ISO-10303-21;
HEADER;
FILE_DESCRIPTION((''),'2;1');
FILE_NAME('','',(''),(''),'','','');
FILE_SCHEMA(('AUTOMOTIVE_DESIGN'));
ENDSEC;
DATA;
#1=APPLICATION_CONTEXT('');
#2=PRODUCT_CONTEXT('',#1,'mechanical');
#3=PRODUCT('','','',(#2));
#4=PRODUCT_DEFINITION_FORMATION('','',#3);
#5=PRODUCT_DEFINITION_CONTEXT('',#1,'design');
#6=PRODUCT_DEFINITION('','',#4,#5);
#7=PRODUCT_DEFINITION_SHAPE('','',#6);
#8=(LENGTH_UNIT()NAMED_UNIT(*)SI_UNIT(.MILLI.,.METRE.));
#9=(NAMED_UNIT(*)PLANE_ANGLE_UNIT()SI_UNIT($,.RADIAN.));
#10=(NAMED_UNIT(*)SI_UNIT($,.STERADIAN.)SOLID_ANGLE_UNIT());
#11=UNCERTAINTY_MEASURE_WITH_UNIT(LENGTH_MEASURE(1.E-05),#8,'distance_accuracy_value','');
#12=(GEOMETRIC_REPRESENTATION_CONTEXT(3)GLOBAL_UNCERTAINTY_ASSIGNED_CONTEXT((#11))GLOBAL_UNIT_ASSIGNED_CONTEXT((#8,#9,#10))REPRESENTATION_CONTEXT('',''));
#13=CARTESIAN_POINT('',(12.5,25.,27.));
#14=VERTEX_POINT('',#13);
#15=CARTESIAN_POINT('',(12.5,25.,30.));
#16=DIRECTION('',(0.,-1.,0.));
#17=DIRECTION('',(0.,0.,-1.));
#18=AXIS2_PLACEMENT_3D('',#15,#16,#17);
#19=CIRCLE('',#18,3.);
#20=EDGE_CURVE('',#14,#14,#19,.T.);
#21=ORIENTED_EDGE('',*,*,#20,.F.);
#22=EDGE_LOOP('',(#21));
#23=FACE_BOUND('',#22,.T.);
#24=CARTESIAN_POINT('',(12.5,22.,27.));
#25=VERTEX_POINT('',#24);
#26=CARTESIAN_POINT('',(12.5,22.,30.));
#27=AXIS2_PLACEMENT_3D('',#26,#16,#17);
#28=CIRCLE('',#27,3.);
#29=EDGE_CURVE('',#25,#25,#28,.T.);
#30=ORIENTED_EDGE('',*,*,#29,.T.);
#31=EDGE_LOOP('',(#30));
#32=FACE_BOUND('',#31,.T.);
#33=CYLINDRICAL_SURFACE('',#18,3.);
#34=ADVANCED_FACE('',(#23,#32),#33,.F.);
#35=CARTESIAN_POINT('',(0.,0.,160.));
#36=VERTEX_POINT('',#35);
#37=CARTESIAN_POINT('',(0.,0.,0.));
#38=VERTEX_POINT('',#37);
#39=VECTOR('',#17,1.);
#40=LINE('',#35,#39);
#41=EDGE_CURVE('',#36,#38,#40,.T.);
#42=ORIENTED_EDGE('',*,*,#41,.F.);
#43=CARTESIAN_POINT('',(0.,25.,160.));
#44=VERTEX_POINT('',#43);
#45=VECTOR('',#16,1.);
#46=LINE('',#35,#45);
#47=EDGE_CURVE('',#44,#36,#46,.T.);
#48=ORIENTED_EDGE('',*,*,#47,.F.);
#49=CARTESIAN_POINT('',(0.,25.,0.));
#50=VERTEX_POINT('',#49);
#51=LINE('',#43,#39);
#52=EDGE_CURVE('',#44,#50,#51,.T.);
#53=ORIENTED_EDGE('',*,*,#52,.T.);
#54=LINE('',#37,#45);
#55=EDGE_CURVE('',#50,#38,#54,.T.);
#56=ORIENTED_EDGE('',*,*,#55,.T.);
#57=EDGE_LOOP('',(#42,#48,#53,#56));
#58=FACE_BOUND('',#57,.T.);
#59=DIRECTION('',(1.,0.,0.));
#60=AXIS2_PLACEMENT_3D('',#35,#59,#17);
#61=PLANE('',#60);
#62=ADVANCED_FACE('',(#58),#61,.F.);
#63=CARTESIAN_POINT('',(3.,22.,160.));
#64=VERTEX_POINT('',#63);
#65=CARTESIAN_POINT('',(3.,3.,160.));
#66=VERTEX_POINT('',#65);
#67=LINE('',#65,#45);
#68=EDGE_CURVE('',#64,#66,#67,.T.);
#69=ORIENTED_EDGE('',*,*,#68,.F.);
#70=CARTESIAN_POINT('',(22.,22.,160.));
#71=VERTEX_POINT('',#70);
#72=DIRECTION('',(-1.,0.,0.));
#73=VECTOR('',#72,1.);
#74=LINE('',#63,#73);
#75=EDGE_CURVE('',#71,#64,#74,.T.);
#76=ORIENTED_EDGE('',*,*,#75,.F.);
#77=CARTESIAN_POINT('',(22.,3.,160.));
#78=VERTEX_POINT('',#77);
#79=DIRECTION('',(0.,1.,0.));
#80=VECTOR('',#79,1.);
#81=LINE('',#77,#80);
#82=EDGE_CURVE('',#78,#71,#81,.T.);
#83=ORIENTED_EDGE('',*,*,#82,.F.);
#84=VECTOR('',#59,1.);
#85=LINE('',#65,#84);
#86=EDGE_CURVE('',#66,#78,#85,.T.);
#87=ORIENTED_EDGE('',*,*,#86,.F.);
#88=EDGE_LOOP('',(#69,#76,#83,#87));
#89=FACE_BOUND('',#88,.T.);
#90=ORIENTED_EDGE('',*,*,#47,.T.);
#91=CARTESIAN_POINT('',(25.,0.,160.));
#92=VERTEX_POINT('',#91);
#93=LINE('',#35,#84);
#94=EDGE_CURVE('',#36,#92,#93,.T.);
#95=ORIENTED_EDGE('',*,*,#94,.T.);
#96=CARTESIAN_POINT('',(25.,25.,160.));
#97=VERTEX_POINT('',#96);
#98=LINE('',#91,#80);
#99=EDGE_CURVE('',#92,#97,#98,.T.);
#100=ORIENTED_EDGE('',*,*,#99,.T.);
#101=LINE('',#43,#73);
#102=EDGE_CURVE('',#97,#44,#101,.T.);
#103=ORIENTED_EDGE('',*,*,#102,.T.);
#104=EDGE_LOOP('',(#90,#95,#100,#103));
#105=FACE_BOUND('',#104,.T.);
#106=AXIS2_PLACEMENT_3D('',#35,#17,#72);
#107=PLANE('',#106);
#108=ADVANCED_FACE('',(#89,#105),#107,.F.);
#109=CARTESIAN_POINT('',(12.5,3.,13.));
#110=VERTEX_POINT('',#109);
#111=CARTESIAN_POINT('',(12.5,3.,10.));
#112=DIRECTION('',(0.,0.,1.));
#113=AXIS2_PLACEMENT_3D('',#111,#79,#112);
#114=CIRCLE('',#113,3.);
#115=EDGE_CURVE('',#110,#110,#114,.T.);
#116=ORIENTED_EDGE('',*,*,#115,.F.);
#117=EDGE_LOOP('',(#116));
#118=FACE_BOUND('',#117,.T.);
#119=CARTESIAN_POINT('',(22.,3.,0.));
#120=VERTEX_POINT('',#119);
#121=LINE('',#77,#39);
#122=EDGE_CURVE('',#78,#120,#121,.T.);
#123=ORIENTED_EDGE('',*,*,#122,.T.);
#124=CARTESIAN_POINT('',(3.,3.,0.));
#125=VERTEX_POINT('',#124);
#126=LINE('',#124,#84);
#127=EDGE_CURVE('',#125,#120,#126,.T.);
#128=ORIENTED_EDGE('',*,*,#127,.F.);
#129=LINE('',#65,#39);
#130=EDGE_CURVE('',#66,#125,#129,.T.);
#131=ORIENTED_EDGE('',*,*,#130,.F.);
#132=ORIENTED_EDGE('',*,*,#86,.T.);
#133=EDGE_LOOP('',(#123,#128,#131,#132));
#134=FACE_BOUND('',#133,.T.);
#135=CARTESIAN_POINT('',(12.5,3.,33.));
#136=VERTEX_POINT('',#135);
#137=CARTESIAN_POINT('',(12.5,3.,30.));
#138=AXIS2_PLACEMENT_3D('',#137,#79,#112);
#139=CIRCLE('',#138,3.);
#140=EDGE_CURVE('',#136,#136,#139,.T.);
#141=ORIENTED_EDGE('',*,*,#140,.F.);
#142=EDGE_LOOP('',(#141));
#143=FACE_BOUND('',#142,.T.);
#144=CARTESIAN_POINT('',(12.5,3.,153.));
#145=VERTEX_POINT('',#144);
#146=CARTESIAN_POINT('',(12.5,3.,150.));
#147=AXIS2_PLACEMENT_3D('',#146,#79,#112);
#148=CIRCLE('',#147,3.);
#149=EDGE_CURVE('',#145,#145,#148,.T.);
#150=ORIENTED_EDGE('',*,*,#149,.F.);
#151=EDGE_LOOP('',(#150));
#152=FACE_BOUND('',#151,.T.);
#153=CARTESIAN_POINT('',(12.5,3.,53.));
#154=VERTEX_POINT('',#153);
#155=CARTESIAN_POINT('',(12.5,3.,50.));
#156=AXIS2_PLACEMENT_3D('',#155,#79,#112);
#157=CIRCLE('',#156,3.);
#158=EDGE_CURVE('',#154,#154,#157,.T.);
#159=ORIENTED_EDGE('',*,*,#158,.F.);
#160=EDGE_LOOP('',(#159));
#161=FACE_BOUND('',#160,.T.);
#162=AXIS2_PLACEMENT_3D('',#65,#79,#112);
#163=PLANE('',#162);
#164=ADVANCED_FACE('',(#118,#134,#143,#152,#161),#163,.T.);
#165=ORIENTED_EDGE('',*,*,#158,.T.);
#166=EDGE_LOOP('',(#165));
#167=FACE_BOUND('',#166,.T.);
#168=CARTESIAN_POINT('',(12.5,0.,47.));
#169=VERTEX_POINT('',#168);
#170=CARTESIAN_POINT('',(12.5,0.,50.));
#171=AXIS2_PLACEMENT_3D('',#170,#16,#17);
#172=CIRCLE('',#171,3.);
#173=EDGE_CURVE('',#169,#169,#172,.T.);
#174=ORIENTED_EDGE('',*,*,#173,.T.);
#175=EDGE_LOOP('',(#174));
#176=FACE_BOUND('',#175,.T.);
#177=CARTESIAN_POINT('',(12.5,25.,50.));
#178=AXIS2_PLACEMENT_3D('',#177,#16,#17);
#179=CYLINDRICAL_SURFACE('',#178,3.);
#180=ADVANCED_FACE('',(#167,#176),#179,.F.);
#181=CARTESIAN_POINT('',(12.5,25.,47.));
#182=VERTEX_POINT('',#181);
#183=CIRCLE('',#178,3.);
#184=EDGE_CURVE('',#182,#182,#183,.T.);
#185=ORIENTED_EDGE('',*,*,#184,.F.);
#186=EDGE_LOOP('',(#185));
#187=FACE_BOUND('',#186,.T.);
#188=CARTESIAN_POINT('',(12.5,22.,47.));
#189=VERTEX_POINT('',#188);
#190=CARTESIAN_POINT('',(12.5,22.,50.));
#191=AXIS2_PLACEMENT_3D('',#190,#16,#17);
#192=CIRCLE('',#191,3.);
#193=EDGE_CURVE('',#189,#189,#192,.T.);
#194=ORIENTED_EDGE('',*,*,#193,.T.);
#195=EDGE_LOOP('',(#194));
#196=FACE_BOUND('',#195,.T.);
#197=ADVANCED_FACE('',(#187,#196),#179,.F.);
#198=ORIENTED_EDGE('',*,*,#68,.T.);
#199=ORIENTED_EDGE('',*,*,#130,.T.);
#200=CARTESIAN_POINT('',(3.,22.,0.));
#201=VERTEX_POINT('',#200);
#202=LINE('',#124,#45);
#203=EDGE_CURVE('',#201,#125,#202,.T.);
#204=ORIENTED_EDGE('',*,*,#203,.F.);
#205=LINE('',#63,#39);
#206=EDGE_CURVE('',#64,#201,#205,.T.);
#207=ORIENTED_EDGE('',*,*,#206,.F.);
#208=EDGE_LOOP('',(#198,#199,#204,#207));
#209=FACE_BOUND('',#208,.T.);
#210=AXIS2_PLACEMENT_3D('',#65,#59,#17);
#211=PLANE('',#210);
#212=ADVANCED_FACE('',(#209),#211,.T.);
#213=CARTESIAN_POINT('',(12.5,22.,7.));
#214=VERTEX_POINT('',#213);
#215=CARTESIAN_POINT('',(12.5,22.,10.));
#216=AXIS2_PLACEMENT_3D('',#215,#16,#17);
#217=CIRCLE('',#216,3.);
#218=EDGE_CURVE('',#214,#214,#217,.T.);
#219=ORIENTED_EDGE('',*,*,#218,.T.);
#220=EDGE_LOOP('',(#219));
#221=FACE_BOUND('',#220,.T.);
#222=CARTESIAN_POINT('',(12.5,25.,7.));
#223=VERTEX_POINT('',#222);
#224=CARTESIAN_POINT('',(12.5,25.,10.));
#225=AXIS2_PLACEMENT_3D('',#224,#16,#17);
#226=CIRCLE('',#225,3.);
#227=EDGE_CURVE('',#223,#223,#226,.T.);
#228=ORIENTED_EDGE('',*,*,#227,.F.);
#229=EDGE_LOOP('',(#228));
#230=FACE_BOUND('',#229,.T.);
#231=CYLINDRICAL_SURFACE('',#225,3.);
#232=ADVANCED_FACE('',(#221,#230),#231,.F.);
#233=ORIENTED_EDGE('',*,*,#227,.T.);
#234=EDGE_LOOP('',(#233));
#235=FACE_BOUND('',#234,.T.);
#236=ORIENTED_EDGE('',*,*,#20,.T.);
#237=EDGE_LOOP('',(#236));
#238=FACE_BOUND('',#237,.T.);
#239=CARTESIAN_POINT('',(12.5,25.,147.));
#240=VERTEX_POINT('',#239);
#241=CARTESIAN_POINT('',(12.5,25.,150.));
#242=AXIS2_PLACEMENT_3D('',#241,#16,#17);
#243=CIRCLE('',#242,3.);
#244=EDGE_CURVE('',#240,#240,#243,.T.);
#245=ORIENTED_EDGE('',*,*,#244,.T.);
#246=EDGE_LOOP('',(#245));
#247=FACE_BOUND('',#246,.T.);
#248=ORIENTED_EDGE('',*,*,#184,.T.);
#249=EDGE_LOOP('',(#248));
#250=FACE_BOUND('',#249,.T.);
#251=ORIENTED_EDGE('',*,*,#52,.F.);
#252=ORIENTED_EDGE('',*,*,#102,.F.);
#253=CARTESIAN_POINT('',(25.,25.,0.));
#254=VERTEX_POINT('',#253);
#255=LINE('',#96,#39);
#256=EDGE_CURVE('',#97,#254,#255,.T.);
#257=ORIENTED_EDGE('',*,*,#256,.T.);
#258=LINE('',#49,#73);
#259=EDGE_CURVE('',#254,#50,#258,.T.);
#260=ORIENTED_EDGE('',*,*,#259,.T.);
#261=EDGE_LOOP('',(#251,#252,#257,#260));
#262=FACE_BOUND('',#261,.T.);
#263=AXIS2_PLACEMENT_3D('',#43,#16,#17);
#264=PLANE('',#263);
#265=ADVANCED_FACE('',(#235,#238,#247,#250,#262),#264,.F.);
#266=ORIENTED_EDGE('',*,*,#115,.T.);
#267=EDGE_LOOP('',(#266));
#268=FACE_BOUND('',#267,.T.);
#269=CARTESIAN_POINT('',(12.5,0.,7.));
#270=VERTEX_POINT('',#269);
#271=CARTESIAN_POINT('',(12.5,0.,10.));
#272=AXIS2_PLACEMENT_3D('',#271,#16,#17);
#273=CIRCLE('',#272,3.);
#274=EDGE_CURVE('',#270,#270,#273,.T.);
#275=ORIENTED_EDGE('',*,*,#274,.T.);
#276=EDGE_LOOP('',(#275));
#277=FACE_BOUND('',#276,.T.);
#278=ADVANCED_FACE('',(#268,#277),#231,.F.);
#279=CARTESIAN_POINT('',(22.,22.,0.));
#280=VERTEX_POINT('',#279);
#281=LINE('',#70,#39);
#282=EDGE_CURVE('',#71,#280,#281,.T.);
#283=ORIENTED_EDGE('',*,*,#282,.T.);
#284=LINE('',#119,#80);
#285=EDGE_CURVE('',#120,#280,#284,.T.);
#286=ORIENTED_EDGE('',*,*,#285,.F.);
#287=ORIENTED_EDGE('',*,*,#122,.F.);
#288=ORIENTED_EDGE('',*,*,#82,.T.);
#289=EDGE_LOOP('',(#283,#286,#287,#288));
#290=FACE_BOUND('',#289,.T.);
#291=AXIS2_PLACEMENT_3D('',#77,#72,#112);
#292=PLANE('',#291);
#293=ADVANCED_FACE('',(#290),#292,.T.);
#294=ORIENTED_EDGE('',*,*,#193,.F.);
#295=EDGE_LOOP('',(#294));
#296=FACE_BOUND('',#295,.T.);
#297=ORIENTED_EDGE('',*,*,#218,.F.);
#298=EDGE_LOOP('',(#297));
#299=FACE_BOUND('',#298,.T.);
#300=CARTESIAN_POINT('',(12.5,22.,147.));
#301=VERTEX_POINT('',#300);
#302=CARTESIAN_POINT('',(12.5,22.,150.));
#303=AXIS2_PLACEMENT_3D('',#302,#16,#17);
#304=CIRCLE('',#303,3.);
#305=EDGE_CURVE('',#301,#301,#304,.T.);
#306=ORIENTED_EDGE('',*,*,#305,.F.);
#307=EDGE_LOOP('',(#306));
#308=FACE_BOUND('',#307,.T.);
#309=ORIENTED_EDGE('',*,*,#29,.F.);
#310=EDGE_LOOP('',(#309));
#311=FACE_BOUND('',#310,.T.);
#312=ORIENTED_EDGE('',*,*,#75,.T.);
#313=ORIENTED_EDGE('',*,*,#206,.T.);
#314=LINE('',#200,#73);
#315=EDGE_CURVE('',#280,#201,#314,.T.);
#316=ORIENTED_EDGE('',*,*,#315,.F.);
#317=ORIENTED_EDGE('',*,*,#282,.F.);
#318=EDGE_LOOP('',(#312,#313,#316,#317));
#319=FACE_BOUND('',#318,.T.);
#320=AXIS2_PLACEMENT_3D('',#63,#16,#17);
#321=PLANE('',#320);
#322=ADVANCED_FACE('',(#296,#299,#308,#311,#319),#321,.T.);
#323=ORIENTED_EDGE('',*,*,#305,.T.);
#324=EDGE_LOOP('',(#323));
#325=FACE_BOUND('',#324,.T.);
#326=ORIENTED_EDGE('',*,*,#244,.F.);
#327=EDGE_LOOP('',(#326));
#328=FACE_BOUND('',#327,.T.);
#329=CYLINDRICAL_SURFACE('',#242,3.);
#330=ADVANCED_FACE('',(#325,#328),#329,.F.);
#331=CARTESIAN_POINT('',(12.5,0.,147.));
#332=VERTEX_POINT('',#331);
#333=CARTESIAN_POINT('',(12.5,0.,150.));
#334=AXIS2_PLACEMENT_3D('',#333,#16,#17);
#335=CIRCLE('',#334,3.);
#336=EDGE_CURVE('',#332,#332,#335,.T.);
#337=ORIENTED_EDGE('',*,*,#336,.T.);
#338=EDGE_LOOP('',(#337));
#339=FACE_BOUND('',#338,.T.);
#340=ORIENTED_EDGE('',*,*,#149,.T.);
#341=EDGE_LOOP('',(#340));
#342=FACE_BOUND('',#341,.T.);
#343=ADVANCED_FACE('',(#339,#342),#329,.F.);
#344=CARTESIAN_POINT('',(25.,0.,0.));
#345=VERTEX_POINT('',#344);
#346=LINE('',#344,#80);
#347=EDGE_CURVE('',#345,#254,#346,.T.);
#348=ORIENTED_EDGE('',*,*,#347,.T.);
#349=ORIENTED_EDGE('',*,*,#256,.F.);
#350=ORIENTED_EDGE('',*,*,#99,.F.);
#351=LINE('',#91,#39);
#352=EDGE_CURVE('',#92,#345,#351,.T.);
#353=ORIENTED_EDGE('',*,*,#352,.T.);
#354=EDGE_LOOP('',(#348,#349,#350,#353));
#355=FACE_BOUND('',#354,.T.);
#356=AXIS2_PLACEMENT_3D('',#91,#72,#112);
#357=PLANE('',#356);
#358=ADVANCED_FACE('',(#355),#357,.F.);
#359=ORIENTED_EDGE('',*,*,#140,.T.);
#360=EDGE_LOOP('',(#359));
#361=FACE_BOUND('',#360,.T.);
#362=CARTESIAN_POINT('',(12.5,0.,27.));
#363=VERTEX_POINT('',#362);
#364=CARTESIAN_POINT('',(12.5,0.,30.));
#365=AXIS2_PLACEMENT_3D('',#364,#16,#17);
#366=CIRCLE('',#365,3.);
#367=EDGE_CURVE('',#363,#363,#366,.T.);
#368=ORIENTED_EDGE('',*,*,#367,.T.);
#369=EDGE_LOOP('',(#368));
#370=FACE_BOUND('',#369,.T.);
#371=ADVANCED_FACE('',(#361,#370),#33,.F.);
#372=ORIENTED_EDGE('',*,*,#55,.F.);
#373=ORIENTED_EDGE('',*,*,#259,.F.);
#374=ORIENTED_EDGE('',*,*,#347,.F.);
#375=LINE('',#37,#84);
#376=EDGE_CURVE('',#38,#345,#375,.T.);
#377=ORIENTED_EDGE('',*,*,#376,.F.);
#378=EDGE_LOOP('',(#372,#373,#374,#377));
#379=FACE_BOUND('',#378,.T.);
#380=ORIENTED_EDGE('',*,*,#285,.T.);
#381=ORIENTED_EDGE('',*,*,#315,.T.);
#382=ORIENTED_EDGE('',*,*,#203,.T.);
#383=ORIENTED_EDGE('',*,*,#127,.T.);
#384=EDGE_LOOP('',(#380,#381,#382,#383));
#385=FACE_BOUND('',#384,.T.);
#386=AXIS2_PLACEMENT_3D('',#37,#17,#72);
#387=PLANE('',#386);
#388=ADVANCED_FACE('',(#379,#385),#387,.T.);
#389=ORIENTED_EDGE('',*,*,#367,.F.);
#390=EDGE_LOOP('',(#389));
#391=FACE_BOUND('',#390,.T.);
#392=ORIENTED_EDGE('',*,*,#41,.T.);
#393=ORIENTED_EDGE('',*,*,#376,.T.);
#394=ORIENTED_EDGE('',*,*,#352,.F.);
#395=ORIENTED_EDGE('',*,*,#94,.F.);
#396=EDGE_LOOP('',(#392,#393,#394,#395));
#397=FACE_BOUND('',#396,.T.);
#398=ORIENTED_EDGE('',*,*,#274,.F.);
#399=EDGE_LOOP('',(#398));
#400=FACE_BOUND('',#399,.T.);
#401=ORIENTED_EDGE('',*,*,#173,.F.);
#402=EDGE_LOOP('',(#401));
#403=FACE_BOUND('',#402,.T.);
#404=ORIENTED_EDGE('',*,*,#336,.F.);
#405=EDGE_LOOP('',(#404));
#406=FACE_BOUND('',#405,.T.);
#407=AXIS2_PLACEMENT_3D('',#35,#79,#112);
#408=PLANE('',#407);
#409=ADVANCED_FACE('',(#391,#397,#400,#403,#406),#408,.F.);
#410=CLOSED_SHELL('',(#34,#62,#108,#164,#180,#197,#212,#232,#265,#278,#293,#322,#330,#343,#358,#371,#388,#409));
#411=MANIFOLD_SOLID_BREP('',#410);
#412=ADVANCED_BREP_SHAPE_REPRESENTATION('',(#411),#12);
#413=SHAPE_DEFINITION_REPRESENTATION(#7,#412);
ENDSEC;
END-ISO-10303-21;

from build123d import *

# Parameters (mm, degrees)
SKETCH1_W           = 25
SKETCH1_H           = 25
SKETCH1_W_2         = 19
SKETCH1_H_2         = 19
BOSS_EXTRUDE1_DEPTH = 160
SKETCH2_R           = 3
CUT_EXTRUDE1_DEPTH  = 26


with BuildPart() as part:
    # Sketch1 → Boss-Extrude1 (new body)
    with BuildSketch(Plane.XY):
        with Locations((12.5, 12.5)):
            Rectangle(SKETCH1_W, SKETCH1_H)
        with Locations((12.5, 12.5)):
            Rectangle(SKETCH1_W_2, SKETCH1_H_2, mode=Mode.SUBTRACT)
    extrude(amount=BOSS_EXTRUDE1_DEPTH)

    # Sketch2 → Cut-Extrude1 (cut, through all)
    with BuildSketch(Plane.XZ):
        with Locations((12.5, 10)):
            Circle(SKETCH2_R)
        with Locations((12.5, 30)):
            Circle(SKETCH2_R)
        with Locations((12.5, 50)):
            Circle(SKETCH2_R)
        with Locations((12.5, 150)):
            Circle(SKETCH2_R)
    extrude(amount=-CUT_EXTRUDE1_DEPTH, mode=Mode.SUBTRACT)


solid = part.part
